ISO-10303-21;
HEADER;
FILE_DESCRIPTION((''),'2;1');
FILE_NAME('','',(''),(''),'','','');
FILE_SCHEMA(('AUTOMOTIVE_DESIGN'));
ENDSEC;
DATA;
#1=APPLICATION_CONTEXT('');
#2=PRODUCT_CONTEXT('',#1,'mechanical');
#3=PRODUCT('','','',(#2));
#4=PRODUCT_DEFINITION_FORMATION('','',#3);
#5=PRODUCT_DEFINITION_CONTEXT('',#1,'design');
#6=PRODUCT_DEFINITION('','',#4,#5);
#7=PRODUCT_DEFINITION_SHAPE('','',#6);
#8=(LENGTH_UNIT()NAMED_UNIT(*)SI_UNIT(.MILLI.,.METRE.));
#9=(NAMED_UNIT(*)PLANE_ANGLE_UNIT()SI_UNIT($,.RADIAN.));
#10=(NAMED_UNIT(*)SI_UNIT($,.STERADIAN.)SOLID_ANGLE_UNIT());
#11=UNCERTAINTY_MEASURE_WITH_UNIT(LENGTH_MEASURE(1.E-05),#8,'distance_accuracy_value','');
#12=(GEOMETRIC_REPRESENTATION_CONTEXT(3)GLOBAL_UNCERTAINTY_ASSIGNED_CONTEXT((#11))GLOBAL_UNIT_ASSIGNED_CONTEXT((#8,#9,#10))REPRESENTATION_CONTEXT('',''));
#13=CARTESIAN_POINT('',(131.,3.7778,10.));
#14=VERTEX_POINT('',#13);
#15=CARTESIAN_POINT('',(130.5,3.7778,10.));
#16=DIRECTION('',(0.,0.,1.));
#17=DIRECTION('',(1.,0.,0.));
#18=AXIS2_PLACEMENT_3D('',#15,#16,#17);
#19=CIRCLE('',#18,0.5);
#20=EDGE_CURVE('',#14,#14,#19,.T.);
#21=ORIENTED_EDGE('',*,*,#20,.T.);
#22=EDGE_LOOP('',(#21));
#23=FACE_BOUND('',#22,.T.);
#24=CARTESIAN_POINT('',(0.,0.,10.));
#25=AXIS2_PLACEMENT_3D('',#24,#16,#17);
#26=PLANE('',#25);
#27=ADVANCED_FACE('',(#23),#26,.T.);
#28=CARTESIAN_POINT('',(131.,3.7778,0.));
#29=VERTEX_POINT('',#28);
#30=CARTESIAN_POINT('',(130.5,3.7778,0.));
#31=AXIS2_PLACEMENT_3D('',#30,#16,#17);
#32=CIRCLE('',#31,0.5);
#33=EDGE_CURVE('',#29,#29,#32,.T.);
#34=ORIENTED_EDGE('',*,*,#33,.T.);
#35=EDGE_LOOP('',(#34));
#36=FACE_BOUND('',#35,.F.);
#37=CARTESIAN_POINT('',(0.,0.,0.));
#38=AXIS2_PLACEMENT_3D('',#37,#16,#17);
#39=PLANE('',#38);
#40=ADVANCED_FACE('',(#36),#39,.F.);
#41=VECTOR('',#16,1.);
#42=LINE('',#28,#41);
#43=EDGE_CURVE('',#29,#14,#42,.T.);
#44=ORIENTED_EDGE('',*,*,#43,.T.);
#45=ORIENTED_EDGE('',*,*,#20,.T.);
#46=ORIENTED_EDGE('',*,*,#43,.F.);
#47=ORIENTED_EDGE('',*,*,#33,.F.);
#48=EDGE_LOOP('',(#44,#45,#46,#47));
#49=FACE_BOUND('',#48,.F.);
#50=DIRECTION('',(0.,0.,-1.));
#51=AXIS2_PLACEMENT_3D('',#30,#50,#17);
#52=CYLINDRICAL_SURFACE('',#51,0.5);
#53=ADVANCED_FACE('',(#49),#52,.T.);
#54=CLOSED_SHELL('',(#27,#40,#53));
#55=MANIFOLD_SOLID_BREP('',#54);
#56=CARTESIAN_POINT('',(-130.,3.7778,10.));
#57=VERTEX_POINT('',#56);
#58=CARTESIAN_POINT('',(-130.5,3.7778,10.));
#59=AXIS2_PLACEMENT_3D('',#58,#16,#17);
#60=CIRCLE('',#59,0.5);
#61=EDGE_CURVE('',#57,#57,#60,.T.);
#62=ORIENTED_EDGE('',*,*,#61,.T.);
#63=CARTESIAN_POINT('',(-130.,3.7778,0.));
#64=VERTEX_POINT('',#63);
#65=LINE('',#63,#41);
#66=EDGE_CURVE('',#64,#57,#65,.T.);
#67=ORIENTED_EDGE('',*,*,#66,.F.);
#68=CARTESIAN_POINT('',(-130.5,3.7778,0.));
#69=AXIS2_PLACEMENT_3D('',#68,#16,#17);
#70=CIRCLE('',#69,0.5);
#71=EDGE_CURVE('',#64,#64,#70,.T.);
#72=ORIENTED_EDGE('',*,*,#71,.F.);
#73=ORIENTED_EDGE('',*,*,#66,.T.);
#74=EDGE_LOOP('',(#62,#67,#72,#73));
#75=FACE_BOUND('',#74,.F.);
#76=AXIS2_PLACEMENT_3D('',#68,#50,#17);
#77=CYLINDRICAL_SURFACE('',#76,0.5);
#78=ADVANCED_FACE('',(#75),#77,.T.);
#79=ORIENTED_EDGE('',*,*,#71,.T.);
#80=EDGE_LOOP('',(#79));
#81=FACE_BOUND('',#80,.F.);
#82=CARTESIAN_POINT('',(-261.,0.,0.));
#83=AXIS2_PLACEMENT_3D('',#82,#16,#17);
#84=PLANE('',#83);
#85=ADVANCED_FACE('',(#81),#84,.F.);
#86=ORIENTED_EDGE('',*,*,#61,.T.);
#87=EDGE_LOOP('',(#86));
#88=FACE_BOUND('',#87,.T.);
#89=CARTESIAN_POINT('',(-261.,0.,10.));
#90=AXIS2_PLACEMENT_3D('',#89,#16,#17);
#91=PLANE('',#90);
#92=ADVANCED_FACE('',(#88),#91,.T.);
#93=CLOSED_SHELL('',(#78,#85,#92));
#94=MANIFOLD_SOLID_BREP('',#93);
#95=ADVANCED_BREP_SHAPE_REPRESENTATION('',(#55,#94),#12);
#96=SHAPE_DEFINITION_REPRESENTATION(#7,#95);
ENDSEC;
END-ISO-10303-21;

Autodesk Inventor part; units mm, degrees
ref_plane "YZ Plane" through (0, 0, 0) normal (1, 0, 0) x (0, 1, 0)
ref_plane "XZ Plane" through (0, 0, 0) normal (0, 1, 0) x (-1, 0, 0)
ref_plane "XY Plane" through (0, 0, 0) normal (0, 0, 1) x (1, 0, 0)
sketch "Sketch1" plane through (0, 0, 0) normal (0, 0, 1) x (1, 0, 0)
  line L0 (-190.5, -10.9695) -> (190.5, -10.9695)
  line L1 (190.5, -10.9695) -> (190.5, 10.9695)
  line L2 (190.5, 10.9695) -> (-190.5, 10.9695)
  line L3 (-190.5, 10.9695) -> (-190.5, -10.9695)
  line L4 (-190.5, -10.9695) -> (190.5, 10.9695) construction
  line L5 (190.5, -10.9695) -> (-190.5, 10.9695) construction
  point P0 (0, 0)
  dimension "d0" = 381
  dimension "d1" = 21.939
sketch "Lamello" plane through (0, 0, 0) normal (0, 0, 1) x (1, 0, 0)
  line L0 (48.383, 141.1858) -> (42.783, 141.1858)
  line L1 (40.583, 139.6858) -> (40.583, 114.6858)
  line L2 (42.783, 113.1858) -> (48.383, 113.1858)
  line L3 (50.583, 114.6858) -> (50.583, 139.6858)
  line L4 (50.583, 139.6858) -> (48.383, 141.1858)
  line L5 (40.583, 139.6858) -> (42.783, 141.1858)
  line L6 (40.583, 114.6858) -> (42.783, 113.1858)
  line L7 (50.583, 114.6858) -> (48.383, 113.1858)
  line L8 (50.583, 127.1858) -> (40.583, 127.1858)
  line L9 (45.583, 141.1858) -> (45.583, 113.1858)
  point P0 (45.583, 127.1858)
  point P1 (50.583, 141.1858)
  point P2 (40.583, 113.1858)
  point P3 (40.583, 141.1858)
  point P4 (50.583, 113.1858)
  dimension "d54" = 10
  dimension "d55" = 28
  dimension "d56" = 1.5
  dimension "d57" = 2.2
  dimension "d58" = 1.5
  dimension "d59" = 2.2
  dimension "d60" = 1.5
  dimension "d61" = 2.2
  dimension "d62" = 1.5
  dimension "d63" = 2.2
sketch "Sketch2" plane through (0, 0, 0) normal (0, 0, 1) x (1, 0, 0)
  circle A0 centre (130.5, 3.7778) radius 0.5
  line L0 (190.5, 10.9695) -> (-190.5, 10.9695) projected
  line L1 (-190.5, -10.9695) -> (190.5, -10.9695) projected
  line L2 (0, -145.0303) -> (0, 106.9697) projected
  line L3 (190.5, -10.9695) -> (190.5, 10.9695) projected
  point P0 (0, 0)
  dimension "d4" = 1
  dimension "d50" = 7.1917
  dimension "d70" = 60
extrude "Extrusion1" add sketch "Sketch2" along normal blind 10 contours A0
pattern_linear "Clamex Array" count 2 spacing 261 along (-1, 0, 0) of "Extrusion1"
sketch "Edge-Side Connection" plane through (0, 0, 0) normal (1, 0, 0) x (0, 1, 0)
  line L0 (-50, 0) -> (50, 0)
  line L1 (50, 0) -> (50, 19)
  line L2 (50, 19) -> (-50, 19)
  line L3 (-50, 19) -> (-50, 0)
  line L4 (-10.9695, 0) -> (-34.0635, -40)
  line L5 (-34.0635, -40) -> (-12.1245, -40)
  line L6 (-12.1245, -40) -> (10.9695, 0)
  line L7 (-2.9208, -14) -> (-2.9208, 14) construction
  line L8 (10.9695, 0) -> (2.0792, 0)
  line L9 (-7.9208, -12.5) -> (-15.62, -8.0549)
  point P0 (0, 0)
  point P1 (10.9695, 0)
  point P2 (0, 0)
  dimension "d26" = 100
  dimension "d27" = 19
  dimension "d28" = 40
  dimension "OtherSideRefYCoordinate" = 8.0487
  dimension "ReferenceCoord" = 13.8903
  dimension "d49" = 120
sketch "Edge-Edge Connection" plane through (0, 0, 0) normal (1, 0, 0) x (0, 1, 0)
  line L0 (-109.0303, 19) -> (10.9697, 19)
  line L1 (10.9697, 19) -> (0, 0)
  line L2 (0, 0) -> (-109.0303, 0)
  line L3 (-109.0303, 0) -> (-109.0303, 19)
  line L4 (10.9697, 19) -> (70.9697, -84.923)
  line L5 (0, 0) -> (54.5152, -94.423)
  line L6 (54.5152, -94.423) -> (70.9697, -84.923)
  line L7 (1.0958, 1.8981) -> (0, 0)
  line L8 (-4.7295, 16.8083) -> (-4.7295, 19)
  point P0 (3.5958, 6.2282)
  dimension "d51" = 19
  dimension "d53" = 19
  dimension "EdgeEdgeReferenceCoord" = 7.1917
  dimension "d65" = 120
  dimension "d66" = 120
  dimension "d67" = 120
  dimension "EdgeEdgeOtherSideRefYCoordinate" = 14.7476
equation "\"d9\" = Step"
equation "\"d27\" = NestleBoardT"
equation "\"d0\" = ContactPatchWidth"
equation "\"d1\" = ContactPatchHeight"
equation "\"ContactPatchWidth\" = 381"
equation "\"ContactPatchHeight\" = 21.939"
equation "\"PlacingWidth\" = 261"
equation "\"MinDistBetween\" = 96"
equation "\"Step\" = 261"
equation "\"Y_Coord\" = 7.19169"
equation "\"NestleBoardT\" = 19"
equation "\"PillarBoardT\" = 19"
equation "\"AngleForYPositionCalc\" = 120deg"
equation "\"ConnectionAngle\" = 120deg"
equation "\"ShiftY\" = 0"
properties part number "Clamex Joint1300"
